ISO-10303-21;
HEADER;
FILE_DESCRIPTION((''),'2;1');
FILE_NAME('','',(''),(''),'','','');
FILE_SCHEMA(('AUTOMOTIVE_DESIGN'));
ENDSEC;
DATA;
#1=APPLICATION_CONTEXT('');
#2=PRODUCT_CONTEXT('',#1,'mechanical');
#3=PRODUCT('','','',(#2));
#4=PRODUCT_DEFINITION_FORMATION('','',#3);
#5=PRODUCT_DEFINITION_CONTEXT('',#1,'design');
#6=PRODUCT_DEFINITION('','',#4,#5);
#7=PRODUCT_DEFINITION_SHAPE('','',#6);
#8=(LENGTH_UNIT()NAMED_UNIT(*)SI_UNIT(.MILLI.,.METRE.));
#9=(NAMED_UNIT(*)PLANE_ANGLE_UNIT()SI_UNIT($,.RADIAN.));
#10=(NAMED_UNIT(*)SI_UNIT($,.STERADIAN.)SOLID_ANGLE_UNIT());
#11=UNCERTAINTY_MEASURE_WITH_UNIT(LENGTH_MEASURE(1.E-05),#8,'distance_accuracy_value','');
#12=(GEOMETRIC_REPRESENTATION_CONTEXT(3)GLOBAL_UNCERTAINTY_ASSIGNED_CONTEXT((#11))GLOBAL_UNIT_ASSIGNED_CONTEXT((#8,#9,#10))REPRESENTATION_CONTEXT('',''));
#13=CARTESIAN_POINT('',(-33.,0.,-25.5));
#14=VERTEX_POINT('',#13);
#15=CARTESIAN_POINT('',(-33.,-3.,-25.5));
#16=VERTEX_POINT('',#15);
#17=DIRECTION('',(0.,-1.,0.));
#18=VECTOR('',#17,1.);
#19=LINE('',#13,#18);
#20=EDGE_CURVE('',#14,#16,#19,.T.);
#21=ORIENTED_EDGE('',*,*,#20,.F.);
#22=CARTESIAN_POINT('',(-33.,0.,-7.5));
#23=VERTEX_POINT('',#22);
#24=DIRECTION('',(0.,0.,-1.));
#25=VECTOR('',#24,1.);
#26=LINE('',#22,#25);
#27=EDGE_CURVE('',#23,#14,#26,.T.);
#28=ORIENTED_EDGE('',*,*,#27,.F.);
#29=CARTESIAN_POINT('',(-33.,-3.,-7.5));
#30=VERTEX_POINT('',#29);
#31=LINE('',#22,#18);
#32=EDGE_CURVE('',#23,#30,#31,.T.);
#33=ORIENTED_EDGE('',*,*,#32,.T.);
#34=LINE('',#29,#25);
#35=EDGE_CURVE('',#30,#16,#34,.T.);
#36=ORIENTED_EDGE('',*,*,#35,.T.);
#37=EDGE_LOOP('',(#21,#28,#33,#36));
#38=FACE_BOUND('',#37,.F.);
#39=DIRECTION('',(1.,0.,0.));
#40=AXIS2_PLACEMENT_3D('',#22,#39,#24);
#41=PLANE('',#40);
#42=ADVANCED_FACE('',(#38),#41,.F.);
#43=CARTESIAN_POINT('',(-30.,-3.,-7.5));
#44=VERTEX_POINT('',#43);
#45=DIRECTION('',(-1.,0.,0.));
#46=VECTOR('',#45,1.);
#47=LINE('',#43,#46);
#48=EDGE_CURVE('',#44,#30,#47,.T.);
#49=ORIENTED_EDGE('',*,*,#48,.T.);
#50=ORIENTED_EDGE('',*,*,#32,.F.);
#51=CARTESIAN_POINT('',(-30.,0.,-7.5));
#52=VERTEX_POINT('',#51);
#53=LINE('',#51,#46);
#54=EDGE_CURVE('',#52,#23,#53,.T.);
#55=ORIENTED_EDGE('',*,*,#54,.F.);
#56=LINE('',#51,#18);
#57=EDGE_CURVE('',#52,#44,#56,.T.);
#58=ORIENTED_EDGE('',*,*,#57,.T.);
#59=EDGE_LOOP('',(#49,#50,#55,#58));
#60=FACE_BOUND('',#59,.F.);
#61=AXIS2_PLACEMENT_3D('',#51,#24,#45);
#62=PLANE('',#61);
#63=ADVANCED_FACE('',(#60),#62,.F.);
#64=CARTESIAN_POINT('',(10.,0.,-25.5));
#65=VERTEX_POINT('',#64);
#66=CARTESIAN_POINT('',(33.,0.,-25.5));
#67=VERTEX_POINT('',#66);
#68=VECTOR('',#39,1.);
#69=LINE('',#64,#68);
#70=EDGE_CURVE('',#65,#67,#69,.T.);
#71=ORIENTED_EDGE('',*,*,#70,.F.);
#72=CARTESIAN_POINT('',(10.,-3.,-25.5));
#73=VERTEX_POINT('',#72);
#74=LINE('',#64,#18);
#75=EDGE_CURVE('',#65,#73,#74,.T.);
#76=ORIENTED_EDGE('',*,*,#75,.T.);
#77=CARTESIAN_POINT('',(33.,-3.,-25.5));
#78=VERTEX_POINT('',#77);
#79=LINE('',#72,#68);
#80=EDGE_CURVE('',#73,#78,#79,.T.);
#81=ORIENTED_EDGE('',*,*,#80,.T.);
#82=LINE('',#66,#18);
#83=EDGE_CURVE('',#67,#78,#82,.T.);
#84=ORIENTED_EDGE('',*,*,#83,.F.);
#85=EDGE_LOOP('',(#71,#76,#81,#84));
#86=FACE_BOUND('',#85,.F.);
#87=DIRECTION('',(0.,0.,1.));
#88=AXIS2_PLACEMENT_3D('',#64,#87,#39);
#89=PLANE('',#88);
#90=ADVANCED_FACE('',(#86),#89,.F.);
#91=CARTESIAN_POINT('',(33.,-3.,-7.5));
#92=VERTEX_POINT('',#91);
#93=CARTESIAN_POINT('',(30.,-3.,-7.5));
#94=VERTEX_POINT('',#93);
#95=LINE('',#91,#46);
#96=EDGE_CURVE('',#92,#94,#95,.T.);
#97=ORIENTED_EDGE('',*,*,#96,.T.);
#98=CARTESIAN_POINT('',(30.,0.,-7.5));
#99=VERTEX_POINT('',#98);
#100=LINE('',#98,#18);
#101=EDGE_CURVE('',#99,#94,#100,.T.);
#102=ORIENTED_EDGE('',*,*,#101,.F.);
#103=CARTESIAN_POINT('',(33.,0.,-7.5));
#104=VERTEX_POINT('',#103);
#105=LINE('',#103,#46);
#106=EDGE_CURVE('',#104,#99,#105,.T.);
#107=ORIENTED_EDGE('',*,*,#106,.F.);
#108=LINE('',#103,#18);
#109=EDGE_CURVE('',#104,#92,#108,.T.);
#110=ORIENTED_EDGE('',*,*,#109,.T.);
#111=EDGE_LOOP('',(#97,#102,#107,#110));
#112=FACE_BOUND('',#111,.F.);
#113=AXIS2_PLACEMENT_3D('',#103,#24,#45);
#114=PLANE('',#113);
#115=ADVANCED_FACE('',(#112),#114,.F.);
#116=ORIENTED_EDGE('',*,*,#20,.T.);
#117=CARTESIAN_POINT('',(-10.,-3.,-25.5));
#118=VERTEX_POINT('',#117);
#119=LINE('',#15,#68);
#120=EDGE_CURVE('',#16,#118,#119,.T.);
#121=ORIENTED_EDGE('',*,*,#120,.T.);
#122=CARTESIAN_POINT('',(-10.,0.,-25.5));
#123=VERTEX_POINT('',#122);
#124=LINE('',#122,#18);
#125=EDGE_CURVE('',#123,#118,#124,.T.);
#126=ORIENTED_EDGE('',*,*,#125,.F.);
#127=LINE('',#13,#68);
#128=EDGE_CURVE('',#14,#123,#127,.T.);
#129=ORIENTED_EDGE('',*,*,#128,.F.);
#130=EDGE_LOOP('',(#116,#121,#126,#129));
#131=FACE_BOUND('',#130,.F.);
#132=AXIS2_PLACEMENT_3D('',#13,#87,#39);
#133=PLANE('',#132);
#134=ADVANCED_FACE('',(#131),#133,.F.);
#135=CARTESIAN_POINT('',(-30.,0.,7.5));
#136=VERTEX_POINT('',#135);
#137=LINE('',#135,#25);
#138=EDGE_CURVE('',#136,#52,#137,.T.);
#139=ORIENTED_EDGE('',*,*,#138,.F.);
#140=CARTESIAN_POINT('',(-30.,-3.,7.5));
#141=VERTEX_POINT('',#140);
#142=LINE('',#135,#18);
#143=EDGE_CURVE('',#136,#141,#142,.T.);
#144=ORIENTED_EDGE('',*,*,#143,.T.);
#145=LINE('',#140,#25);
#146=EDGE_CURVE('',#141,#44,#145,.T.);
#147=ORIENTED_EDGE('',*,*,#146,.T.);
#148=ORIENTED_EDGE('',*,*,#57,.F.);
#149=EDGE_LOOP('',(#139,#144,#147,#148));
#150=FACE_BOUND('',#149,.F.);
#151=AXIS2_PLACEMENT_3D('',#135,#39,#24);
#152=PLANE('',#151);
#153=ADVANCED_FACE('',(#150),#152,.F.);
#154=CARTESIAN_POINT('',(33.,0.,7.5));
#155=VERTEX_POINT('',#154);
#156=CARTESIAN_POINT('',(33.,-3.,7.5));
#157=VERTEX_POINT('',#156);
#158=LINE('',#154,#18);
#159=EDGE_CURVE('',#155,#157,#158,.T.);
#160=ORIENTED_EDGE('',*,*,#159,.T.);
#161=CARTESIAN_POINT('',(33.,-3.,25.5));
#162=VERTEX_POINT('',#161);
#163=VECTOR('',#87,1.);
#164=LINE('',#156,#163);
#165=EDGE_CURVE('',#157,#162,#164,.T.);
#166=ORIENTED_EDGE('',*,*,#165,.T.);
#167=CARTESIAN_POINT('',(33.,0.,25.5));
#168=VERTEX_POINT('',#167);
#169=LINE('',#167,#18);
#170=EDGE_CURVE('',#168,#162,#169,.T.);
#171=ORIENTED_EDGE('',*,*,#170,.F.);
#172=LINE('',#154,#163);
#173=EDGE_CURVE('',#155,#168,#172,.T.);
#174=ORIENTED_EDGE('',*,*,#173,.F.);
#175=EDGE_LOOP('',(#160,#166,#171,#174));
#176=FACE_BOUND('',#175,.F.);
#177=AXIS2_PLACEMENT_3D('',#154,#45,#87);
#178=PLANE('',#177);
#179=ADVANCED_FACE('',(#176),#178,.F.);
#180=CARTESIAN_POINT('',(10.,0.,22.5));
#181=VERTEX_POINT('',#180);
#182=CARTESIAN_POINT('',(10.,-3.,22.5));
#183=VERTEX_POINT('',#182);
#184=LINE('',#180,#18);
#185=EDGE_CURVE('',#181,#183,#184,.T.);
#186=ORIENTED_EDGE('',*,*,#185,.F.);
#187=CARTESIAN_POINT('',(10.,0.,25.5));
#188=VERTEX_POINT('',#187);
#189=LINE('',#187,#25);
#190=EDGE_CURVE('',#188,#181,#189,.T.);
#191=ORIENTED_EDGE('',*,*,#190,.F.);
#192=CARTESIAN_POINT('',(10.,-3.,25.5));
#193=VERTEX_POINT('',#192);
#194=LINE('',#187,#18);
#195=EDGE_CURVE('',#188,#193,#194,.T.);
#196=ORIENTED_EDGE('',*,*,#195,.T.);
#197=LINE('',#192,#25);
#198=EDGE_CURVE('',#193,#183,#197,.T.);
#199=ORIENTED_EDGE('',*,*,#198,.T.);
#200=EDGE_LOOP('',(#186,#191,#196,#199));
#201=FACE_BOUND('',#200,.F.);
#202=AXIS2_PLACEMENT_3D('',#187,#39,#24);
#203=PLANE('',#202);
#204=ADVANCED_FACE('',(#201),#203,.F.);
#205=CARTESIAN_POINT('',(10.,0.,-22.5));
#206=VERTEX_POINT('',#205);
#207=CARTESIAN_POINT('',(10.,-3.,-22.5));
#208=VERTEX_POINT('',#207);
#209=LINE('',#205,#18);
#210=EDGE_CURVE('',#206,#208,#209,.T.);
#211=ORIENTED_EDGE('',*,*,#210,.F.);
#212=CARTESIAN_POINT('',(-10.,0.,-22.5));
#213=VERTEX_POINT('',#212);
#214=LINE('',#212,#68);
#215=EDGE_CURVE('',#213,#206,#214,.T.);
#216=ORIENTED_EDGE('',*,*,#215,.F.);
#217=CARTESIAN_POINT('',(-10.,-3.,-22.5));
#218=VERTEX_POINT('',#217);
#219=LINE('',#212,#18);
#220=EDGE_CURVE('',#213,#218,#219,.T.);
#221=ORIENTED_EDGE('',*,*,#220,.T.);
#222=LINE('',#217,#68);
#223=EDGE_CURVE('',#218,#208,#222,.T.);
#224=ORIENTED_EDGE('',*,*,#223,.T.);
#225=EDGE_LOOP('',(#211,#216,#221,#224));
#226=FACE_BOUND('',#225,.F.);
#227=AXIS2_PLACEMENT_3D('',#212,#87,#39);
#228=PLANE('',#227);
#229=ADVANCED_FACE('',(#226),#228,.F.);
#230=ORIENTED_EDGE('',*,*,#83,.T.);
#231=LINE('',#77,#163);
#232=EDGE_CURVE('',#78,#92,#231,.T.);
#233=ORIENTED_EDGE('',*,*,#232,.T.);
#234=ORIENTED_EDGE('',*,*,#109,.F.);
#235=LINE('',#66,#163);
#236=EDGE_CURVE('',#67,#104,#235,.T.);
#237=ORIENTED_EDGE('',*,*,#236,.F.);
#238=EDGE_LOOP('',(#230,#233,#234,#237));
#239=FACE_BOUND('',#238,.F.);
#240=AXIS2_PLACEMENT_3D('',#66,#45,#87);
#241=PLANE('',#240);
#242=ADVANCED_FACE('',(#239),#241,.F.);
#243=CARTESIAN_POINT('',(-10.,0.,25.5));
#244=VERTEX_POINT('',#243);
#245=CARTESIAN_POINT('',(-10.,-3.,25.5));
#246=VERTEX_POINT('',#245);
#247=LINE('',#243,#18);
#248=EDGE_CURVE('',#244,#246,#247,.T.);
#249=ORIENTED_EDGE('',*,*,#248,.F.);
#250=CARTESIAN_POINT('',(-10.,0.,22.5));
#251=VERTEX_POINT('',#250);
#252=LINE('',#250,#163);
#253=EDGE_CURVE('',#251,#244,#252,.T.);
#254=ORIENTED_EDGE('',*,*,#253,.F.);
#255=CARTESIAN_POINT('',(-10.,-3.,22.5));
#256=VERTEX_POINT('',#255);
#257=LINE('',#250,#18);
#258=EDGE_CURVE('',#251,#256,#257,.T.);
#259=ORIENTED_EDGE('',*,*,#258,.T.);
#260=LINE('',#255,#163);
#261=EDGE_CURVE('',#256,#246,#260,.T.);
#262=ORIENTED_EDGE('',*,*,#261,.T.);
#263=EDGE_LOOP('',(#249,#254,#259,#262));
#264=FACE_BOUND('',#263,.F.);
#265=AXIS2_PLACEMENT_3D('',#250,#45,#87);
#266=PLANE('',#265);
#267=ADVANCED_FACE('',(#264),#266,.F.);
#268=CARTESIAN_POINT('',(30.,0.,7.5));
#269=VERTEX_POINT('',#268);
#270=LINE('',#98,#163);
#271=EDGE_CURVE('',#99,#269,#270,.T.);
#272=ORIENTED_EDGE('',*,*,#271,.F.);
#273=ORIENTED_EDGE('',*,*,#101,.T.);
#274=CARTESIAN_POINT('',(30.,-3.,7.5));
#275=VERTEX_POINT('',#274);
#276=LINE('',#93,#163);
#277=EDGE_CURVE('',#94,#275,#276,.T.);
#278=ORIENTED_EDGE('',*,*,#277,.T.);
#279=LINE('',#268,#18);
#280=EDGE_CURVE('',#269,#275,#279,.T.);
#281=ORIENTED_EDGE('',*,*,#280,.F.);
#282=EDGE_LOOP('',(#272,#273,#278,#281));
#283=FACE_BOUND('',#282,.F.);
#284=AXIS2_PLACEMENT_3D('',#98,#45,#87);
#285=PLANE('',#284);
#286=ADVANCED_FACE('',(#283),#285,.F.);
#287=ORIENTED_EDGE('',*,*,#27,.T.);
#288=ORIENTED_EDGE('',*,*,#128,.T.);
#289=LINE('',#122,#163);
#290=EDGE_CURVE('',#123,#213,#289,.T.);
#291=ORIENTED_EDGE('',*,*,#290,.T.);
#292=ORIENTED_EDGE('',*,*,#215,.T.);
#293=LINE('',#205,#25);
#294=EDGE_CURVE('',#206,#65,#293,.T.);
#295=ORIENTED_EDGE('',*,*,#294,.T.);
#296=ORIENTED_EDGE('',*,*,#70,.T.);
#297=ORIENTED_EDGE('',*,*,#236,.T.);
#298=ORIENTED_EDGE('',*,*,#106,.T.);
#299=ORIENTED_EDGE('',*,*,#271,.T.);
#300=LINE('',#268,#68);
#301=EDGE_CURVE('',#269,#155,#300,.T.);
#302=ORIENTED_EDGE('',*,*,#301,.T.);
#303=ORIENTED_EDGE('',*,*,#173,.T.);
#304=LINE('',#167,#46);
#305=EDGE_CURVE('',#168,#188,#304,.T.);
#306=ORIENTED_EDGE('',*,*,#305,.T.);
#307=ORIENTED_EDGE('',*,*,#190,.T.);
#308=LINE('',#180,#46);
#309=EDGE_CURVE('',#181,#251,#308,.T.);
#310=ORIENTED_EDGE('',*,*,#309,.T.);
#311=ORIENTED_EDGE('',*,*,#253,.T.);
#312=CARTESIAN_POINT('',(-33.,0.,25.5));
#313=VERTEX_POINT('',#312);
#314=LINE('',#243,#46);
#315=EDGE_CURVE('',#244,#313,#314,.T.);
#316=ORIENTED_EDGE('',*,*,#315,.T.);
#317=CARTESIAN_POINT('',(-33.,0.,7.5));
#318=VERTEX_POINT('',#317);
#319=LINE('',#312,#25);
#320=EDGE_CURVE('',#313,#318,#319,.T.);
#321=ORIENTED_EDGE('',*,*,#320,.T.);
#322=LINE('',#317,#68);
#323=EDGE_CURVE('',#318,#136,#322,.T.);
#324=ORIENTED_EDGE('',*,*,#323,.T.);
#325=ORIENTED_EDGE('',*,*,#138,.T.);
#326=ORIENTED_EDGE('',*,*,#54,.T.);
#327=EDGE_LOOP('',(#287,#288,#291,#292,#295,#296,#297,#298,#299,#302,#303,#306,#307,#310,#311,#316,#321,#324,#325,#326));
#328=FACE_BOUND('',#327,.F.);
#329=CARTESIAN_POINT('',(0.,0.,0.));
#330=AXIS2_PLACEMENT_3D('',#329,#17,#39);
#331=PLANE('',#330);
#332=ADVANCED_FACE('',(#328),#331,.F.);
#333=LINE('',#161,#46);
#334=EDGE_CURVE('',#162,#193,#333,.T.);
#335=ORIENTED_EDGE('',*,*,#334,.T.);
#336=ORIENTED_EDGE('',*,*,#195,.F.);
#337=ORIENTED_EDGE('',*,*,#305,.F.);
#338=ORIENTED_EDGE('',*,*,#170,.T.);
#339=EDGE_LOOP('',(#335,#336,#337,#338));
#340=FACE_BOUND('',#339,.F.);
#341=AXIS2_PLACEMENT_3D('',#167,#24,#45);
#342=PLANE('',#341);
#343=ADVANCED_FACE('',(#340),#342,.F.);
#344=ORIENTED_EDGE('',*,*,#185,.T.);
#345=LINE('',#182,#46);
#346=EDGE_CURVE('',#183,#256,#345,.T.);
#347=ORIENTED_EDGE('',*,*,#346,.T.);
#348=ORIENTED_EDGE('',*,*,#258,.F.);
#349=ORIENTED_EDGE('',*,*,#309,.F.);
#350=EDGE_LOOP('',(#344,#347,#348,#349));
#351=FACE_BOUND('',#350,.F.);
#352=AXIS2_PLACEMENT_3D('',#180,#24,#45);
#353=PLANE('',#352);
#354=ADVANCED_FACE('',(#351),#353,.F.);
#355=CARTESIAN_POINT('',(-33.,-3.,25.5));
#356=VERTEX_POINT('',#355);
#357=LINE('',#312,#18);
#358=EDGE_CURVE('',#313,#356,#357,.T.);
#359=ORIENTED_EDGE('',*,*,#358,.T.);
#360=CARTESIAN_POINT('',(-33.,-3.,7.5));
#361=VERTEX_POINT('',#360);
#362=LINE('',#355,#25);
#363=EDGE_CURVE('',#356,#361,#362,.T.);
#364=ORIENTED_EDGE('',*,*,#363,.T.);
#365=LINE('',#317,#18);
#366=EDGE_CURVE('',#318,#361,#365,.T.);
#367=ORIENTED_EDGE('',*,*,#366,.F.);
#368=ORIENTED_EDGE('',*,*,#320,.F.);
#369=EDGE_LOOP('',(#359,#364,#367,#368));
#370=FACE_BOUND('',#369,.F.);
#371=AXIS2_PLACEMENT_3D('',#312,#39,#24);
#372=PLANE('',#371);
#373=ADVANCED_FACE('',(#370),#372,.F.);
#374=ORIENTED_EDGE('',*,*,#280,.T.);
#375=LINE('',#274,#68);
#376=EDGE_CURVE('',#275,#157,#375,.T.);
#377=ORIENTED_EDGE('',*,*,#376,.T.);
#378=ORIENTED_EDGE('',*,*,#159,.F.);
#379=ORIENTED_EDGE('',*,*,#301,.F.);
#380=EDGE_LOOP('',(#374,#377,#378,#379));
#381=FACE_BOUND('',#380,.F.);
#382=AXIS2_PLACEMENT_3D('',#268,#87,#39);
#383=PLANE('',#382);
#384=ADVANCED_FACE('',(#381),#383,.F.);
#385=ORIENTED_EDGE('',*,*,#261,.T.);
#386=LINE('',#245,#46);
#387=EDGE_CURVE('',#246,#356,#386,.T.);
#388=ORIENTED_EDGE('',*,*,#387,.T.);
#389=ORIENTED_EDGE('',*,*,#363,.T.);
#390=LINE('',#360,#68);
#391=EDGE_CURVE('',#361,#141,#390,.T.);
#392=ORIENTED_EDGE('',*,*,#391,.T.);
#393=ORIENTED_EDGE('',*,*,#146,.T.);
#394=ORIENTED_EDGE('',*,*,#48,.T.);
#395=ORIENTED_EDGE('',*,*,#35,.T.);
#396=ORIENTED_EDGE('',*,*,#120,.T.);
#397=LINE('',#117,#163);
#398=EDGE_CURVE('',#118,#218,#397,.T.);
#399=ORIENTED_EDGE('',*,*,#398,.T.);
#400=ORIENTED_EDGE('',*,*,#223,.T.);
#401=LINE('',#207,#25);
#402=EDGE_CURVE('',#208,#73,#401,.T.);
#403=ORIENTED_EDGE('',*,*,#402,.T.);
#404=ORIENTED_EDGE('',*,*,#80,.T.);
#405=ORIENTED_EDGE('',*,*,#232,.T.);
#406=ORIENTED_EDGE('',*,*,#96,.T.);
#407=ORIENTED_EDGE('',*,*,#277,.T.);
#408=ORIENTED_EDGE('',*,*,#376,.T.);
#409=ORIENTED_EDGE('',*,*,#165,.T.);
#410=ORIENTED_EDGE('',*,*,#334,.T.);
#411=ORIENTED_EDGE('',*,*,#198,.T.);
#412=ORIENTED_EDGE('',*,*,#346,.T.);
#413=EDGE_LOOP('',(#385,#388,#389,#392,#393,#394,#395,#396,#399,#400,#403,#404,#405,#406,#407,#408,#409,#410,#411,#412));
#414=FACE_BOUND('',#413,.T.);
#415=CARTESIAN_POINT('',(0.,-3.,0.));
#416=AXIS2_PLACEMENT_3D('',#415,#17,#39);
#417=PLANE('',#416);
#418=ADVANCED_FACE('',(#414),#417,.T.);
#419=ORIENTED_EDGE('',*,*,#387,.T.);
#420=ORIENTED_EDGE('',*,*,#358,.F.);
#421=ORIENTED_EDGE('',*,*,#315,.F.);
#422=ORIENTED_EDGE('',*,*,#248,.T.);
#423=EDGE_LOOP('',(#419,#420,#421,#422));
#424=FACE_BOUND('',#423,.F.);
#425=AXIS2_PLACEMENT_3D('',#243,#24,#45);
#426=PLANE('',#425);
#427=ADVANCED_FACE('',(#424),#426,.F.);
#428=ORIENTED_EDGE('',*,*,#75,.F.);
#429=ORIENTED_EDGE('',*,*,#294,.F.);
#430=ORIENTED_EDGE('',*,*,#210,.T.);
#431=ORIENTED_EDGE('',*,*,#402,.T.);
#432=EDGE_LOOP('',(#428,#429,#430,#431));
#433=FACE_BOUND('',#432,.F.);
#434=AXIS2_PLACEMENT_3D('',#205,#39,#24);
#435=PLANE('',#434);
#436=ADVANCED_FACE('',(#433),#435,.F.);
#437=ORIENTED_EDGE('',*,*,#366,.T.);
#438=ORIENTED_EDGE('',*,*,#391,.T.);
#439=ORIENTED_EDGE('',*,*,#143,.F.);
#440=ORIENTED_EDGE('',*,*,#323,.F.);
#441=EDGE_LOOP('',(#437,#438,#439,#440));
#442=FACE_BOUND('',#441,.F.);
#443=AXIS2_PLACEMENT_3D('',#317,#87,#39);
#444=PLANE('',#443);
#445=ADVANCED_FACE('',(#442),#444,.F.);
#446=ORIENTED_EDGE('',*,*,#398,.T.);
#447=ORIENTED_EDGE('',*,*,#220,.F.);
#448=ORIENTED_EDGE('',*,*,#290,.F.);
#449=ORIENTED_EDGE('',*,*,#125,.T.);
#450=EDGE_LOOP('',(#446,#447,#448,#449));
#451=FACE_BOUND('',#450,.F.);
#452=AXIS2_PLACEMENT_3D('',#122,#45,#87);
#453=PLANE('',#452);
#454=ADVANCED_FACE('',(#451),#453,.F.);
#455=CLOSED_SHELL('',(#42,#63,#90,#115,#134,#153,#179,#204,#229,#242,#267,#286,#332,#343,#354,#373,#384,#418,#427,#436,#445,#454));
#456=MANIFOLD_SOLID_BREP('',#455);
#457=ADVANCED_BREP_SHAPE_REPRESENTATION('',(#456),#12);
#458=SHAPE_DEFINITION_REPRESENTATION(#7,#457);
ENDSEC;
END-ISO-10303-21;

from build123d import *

# Parameters (mm, degrees)
F1_DEPTH = 3


with BuildPart() as f1:
    # F0 (on Front) → F1 (new body)
    with BuildSketch(Plane.XZ):
        Polygon((10, 22.5), (0, 22.5), (-10, 22.5), (-10, 25.5), (-33, 25.5), (-33, 7.5), (-30, 7.5), (-30, 0), (-30, -7.5), (-33, -7.5), (-33, -25.5), (-10, -25.5), (-10, -22.5), (0, -22.5), (10, -22.5), (10, -25.5), (33, -25.5), (33, -7.5), (30, -7.5), (30, 0), (30, 7.5), (33, 7.5), (33, 25.5), (10, 25.5), align=None)
    extrude(amount=F1_DEPTH)


solid = f1.part
